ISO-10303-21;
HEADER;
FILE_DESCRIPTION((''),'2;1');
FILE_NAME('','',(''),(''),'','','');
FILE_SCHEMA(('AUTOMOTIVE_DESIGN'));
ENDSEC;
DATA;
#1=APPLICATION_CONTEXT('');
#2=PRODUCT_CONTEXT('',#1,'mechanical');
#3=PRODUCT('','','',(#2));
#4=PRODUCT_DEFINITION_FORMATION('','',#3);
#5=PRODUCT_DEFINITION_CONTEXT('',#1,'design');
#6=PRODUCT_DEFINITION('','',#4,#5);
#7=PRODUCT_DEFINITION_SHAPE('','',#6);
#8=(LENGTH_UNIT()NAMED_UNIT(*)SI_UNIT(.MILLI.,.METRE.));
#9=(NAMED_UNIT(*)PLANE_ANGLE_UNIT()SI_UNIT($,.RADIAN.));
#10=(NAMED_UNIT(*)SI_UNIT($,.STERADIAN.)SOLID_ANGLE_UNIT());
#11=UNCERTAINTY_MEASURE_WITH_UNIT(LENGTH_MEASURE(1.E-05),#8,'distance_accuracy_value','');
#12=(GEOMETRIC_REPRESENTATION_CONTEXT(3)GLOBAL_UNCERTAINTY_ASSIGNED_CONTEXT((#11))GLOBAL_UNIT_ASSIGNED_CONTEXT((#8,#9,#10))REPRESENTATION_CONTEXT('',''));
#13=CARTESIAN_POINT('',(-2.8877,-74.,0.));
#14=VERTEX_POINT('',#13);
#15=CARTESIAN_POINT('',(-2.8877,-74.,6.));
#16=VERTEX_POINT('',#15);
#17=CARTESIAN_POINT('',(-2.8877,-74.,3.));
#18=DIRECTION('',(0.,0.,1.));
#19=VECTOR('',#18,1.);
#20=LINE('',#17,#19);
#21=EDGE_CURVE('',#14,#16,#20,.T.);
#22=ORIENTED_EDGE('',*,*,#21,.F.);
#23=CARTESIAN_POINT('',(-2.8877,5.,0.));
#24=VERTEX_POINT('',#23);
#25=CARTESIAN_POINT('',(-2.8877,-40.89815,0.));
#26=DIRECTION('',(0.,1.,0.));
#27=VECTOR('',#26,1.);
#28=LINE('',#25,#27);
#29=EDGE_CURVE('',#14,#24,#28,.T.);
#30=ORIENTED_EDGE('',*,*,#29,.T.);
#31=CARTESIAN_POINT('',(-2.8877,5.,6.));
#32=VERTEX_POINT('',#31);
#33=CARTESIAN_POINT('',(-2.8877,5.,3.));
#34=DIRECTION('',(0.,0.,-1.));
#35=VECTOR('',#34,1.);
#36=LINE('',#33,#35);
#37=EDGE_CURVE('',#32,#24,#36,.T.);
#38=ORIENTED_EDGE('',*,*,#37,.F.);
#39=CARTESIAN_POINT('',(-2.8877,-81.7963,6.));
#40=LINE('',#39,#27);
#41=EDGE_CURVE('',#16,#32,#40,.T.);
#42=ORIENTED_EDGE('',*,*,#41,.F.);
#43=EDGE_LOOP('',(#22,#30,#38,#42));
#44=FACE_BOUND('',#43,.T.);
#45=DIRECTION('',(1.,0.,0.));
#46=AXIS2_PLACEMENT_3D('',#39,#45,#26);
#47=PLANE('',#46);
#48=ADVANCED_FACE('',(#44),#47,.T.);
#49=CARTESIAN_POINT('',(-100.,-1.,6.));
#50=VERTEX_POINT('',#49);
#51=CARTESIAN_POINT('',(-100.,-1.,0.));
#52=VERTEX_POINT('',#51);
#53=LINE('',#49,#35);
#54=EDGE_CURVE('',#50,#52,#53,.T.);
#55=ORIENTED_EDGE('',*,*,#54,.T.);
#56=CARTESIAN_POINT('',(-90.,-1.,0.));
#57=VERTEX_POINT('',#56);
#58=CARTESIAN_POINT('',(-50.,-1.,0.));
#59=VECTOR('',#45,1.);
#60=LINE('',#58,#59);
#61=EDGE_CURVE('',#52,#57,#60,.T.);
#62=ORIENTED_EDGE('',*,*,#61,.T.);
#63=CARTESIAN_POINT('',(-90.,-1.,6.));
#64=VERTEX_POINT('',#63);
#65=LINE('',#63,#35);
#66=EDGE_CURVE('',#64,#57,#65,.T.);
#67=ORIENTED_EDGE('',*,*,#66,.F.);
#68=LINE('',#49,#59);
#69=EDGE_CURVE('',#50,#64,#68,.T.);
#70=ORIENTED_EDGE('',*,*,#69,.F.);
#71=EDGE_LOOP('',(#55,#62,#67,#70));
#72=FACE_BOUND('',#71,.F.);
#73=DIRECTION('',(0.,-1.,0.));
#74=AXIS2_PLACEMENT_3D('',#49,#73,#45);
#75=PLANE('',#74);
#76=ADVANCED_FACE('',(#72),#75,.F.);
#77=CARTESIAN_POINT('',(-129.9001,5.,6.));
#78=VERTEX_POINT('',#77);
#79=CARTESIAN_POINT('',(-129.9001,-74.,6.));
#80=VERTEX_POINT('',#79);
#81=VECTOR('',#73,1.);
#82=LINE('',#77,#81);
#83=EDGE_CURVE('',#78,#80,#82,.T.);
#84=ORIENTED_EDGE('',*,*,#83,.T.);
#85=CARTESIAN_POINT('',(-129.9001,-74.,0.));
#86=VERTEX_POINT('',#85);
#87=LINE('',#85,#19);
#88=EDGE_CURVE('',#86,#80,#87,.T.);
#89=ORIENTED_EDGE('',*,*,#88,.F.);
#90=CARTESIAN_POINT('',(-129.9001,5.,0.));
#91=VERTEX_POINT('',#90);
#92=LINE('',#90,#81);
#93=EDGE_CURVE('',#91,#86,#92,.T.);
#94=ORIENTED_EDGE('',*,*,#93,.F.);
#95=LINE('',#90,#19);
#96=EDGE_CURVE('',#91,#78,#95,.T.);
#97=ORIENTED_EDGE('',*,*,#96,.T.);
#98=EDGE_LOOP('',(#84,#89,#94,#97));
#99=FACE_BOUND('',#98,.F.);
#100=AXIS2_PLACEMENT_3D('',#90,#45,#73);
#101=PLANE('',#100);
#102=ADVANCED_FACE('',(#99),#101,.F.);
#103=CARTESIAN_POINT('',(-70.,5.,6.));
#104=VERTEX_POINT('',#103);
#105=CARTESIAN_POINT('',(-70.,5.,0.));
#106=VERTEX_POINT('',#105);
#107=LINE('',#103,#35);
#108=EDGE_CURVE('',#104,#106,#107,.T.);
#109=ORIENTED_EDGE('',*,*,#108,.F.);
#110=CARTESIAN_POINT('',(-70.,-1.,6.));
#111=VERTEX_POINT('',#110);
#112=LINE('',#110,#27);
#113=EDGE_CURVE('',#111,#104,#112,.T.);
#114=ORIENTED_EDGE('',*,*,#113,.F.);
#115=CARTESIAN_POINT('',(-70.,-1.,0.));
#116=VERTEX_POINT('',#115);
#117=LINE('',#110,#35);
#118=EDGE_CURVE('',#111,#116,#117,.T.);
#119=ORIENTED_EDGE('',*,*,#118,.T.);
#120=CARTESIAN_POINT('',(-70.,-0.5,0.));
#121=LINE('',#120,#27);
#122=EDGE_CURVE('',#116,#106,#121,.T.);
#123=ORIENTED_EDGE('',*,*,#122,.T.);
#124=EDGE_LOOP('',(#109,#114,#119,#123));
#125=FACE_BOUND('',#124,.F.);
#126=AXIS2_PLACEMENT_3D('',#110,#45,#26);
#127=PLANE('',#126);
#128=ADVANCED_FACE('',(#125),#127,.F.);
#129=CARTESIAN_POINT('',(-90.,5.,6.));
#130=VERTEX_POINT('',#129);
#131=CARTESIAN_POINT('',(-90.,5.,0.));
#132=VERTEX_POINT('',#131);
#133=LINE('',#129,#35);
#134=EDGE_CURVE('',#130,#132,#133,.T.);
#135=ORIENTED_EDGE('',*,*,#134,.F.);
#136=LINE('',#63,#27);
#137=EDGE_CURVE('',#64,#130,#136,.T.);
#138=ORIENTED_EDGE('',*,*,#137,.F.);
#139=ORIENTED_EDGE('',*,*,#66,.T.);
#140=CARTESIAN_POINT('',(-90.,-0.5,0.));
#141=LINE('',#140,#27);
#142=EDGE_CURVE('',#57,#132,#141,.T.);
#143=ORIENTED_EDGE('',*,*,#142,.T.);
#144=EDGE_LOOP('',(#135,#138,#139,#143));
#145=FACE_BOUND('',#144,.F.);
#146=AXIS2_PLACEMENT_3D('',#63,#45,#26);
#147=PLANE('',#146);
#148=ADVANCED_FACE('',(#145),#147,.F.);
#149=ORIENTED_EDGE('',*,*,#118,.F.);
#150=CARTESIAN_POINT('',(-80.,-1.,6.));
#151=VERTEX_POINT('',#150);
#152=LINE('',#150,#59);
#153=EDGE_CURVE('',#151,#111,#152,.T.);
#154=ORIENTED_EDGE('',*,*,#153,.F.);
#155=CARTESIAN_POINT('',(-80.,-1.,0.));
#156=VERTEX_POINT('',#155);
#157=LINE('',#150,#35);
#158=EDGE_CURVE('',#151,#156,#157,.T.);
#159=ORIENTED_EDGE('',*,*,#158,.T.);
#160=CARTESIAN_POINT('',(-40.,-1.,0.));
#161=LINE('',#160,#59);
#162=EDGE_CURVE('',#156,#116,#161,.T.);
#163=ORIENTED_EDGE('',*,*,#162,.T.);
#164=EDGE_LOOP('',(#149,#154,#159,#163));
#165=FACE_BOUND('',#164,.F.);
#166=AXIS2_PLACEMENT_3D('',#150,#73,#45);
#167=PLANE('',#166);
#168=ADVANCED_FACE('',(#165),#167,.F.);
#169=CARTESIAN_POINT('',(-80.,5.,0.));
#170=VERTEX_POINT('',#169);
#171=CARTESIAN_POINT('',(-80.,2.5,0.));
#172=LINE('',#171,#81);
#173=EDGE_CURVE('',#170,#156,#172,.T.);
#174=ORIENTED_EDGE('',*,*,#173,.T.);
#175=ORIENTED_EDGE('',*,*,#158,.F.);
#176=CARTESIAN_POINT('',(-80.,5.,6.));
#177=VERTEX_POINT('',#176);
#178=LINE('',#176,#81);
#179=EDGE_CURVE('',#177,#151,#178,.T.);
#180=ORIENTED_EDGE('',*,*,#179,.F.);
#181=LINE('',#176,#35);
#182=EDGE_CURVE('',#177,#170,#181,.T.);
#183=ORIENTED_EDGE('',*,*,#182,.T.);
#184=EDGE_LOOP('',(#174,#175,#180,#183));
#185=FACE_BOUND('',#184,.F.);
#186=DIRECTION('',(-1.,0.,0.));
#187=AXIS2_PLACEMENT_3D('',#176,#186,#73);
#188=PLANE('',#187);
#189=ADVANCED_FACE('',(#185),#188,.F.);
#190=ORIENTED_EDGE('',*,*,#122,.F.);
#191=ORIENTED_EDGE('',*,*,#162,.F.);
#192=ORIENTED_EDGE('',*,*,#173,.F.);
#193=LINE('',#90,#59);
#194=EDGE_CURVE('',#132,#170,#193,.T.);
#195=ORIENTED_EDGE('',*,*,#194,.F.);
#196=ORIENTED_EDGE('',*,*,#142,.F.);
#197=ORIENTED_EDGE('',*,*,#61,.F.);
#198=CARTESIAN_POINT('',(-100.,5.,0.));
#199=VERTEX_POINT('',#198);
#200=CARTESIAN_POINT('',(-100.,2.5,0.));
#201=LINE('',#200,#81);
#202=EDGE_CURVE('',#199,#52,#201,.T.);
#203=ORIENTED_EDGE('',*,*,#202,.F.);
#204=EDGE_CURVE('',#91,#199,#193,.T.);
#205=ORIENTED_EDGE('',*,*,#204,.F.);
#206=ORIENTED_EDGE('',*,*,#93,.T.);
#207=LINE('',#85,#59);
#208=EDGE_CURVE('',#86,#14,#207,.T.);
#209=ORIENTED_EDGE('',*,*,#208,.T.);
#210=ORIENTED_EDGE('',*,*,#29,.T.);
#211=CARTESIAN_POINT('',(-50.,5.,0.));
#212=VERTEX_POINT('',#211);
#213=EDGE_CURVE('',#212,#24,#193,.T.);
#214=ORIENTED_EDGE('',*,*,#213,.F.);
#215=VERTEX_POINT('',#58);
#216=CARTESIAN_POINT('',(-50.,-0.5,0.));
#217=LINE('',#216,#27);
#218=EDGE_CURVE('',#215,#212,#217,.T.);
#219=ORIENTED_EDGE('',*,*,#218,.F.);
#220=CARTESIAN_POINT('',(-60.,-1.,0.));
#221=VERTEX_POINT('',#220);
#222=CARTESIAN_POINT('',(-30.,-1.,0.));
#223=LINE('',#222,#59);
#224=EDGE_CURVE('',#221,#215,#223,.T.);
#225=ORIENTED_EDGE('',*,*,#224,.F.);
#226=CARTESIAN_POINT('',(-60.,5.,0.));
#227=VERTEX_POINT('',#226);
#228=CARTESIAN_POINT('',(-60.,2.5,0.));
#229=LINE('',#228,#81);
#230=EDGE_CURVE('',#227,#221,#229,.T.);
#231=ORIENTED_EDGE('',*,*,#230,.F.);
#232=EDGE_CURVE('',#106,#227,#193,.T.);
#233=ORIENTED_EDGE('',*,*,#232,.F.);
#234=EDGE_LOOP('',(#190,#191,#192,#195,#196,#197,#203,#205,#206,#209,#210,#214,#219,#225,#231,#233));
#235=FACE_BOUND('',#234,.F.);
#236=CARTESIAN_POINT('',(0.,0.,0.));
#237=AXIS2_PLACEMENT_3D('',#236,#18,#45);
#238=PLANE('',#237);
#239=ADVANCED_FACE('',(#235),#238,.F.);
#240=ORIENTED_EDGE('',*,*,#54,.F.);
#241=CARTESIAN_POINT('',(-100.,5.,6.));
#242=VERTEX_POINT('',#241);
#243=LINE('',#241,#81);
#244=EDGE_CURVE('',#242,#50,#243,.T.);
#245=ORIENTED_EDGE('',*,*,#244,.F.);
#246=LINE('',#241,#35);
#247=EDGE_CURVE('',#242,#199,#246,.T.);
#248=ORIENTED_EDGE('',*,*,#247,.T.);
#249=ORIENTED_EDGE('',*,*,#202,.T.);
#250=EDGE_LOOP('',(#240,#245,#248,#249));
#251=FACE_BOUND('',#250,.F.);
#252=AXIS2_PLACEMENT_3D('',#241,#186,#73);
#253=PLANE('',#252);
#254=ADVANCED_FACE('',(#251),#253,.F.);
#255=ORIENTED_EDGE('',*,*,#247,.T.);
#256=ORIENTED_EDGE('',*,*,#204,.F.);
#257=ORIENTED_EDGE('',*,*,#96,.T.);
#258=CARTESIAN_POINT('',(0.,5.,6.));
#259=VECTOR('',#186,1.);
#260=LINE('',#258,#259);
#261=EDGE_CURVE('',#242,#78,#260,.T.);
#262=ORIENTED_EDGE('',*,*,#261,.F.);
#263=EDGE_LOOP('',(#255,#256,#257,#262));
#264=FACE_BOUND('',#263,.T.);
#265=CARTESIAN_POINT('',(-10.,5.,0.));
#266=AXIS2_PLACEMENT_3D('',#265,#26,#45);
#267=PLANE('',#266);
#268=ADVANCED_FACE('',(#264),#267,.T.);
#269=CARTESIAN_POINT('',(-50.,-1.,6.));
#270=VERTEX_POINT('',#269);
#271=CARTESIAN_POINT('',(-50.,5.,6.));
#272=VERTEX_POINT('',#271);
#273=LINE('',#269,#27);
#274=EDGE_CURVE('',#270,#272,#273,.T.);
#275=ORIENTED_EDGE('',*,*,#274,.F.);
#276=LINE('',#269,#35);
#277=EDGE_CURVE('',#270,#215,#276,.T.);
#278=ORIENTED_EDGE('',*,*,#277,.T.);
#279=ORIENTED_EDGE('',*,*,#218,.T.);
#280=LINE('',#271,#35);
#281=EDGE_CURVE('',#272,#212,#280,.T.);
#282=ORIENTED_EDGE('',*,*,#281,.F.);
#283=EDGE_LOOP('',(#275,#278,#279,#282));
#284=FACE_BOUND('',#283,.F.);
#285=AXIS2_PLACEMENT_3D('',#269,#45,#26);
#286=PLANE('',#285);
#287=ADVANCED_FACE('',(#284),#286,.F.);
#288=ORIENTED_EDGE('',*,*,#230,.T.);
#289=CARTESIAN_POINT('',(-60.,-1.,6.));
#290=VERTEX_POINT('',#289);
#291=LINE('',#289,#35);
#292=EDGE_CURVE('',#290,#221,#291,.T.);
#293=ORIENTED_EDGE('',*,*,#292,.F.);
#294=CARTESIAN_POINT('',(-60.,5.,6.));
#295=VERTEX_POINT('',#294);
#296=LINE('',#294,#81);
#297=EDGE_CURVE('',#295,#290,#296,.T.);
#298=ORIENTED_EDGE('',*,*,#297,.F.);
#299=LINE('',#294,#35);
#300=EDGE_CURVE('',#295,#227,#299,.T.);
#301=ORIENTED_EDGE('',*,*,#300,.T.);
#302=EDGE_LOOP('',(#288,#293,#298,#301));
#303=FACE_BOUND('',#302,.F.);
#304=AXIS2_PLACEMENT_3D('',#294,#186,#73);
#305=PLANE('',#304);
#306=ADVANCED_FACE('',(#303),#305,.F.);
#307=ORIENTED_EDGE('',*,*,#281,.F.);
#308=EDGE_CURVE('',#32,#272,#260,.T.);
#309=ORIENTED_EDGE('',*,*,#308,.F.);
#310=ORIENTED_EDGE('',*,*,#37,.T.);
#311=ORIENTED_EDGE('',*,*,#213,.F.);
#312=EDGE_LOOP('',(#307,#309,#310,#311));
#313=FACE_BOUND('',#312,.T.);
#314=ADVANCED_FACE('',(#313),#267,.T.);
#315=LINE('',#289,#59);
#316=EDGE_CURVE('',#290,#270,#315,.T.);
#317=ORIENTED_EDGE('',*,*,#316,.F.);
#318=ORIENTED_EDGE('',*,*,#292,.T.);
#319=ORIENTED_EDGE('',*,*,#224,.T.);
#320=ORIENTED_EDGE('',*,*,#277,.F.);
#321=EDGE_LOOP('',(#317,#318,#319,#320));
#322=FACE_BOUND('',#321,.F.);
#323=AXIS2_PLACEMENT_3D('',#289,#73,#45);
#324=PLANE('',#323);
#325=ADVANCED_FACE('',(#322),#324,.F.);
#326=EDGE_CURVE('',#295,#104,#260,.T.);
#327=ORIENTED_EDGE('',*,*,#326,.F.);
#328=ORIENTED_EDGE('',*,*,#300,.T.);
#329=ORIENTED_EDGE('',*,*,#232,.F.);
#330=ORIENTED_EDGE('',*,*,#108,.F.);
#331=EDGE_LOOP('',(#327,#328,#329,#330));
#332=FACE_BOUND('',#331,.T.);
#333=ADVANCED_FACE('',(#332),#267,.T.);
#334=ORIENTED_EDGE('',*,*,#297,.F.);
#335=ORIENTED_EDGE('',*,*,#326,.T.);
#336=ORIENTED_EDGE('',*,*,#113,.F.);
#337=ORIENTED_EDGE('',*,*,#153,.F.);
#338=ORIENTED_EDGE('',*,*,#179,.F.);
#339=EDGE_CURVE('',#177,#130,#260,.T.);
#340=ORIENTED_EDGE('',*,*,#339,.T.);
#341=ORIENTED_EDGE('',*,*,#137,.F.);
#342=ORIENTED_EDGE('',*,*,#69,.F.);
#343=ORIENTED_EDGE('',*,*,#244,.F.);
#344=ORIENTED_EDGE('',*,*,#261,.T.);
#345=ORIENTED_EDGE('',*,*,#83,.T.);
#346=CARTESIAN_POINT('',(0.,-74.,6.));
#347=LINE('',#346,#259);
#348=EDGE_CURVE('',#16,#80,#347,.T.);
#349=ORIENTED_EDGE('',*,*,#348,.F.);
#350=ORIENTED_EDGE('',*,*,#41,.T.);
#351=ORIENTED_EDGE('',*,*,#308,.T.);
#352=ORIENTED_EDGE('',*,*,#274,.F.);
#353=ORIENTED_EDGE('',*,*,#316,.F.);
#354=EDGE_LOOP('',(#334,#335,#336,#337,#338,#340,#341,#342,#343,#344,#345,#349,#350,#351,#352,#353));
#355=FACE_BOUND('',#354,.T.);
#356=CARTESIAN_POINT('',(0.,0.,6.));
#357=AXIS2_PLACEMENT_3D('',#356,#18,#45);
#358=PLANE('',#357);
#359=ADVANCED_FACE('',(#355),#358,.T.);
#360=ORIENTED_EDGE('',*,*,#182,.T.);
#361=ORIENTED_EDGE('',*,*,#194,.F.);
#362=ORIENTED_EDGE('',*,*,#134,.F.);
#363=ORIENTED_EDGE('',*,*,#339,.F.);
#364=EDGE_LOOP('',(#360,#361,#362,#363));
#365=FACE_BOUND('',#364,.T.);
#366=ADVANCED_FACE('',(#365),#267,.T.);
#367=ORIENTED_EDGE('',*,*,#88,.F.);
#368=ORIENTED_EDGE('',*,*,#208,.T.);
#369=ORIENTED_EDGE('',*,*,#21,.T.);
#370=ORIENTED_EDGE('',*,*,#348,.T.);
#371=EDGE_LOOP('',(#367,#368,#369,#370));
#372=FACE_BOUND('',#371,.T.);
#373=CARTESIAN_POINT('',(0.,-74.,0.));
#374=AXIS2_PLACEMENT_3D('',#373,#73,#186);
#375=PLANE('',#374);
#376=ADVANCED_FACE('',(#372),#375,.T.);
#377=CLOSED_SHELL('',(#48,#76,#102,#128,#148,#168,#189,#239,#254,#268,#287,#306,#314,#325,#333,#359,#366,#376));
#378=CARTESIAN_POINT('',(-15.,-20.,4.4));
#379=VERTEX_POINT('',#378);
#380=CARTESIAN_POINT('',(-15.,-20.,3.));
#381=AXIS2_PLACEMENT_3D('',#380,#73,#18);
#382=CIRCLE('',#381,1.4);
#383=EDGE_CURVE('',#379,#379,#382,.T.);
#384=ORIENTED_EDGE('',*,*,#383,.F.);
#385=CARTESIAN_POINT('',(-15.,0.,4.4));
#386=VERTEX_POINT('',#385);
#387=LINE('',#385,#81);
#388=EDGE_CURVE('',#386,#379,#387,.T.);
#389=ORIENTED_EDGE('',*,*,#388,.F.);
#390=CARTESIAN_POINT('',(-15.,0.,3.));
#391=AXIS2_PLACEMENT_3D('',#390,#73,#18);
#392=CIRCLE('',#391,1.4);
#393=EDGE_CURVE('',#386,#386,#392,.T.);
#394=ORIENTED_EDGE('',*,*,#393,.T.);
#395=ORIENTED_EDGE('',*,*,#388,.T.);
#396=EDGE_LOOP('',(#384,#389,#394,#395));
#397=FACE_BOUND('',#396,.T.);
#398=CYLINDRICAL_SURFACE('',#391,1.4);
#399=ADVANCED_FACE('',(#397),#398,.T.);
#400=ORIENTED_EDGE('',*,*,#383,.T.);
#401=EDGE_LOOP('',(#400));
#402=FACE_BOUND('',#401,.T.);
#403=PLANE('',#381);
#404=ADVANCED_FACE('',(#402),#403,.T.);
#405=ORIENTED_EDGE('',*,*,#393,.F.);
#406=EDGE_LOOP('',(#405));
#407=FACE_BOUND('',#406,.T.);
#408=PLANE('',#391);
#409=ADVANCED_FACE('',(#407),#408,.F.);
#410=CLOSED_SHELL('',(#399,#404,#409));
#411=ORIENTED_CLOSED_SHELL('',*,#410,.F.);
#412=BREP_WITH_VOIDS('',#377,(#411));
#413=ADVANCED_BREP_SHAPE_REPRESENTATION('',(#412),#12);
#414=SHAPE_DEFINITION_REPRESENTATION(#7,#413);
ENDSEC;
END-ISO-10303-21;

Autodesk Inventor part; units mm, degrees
ref_plane "YZ Plane" through (0, 0, 0) normal (1, 0, 0) x (0, 1, 0)
ref_plane "XZ Plane" through (0, 0, 0) normal (0, 1, 0) x (-1, 0, 0)
ref_plane "XY Plane" through (0, 0, 0) normal (0, 0, 1) x (1, 0, 0)
sketch "Sketch1" plane through (0, 0, 0) normal (0, 0, 1) x (1, 0, 0)
  line L0 (0, -129) -> (0, 146.2673) projected
  line L1 (-130, -1) -> (-130, 5) projected
  line L2 (-10, 5) -> (0, 5) projected
  line L3 (0, -74) -> (-450, -74) projected
  line L4 (-130, 5) -> (-120, 5) projected
  line L5 (0, -74) -> (-129.8, -74) projected
  line L6 (-129.8, -68) -> (-129.8, -74) projected
  line L7 (0, 5) -> (-129.9001, 5)
  line L8 (-129.9001, 5) -> (-129.9001, -74)
  line L9 (-129.9001, -74) -> (0, -74)
  line L10 (0, -74) -> (0, 5)
  line L11 (-155.5538, 0) -> (-155.5538, 5) projected
  line L12 (-170.1, 0) -> (-170.1, 5) projected
  point P0 (0, 0)
  point P1 (-129.9001, -74)
  point P2 (-120, 5)
  point P3 (-130, 0)
  point P4 (-129.9001, 5)
  point P5 (-129.9001, 5)
extrude "Extrusion1" add sketch "Sketch1" along normal blind 6
ref_plane "Work Plane2" through (-20.1, 0, 6) normal (0, 1, 0) x (1, 0, 0)
sketch "Sketch3" plane through (-20.1, 0, 6) normal (0, 1, 0) x (1, 0, 0)
  circle A0 centre (5.1, 3) radius 1.5 projected
  point P0 (20.1, 6)
hole "Hole1" at (-15, 0, 3) direction (0, -1, 0) diameter 2.8 depth 20
ref_plane "Work Plane1" through (-129.9001, -34.5, 0) normal (0, -1, 0) x (1, 0, 0)
sketch "Skizze4" plane through (0, 0, 6) normal (0, 0, 1) x (1, 0, 0)
  line L0 (-2.3877, -54.9) -> (-2.3877, -60) projected
  line L1 (16.4895, -81.7963) -> (-2.8877, -81.7963)
  line L2 (-2.8877, -81.7963) -> (-2.8877, 13.3495)
  line L3 (-2.8877, 13.3495) -> (16.4895, 13.3495)
  line L4 (16.4895, 13.3495) -> (16.4895, -81.7963)
  point P0 (0, 0)
  dimension "d23" = 0.5
extrude "Extrusion3" cut sketch "Skizze4" against normal blind 10
sketch "Sketch6" plane through (0, 0, 6) normal (0, 0, 1) x (1, 0, 0)
  line L0 (-100, 5) -> (-100, -1) projected
  line L1 (-100, -1) -> (-90, -1) projected
  line L2 (-90, -1) -> (-90, 5) projected
  line L3 (-2.8877, 5) -> (-129.9001, 5) projected
  point P0 (0, 0)
  point P1 (-100, 5)
  point P2 (-90, 5)
extrude "Extrusion5" cut sketch "Sketch6" against normal through all
pattern_linear "Rectangular Pattern3" count 3 spacing 20 along (1, 0, 0) of "Extrusion5"
properties part number "00_Baseplate_Simmo_side6"
